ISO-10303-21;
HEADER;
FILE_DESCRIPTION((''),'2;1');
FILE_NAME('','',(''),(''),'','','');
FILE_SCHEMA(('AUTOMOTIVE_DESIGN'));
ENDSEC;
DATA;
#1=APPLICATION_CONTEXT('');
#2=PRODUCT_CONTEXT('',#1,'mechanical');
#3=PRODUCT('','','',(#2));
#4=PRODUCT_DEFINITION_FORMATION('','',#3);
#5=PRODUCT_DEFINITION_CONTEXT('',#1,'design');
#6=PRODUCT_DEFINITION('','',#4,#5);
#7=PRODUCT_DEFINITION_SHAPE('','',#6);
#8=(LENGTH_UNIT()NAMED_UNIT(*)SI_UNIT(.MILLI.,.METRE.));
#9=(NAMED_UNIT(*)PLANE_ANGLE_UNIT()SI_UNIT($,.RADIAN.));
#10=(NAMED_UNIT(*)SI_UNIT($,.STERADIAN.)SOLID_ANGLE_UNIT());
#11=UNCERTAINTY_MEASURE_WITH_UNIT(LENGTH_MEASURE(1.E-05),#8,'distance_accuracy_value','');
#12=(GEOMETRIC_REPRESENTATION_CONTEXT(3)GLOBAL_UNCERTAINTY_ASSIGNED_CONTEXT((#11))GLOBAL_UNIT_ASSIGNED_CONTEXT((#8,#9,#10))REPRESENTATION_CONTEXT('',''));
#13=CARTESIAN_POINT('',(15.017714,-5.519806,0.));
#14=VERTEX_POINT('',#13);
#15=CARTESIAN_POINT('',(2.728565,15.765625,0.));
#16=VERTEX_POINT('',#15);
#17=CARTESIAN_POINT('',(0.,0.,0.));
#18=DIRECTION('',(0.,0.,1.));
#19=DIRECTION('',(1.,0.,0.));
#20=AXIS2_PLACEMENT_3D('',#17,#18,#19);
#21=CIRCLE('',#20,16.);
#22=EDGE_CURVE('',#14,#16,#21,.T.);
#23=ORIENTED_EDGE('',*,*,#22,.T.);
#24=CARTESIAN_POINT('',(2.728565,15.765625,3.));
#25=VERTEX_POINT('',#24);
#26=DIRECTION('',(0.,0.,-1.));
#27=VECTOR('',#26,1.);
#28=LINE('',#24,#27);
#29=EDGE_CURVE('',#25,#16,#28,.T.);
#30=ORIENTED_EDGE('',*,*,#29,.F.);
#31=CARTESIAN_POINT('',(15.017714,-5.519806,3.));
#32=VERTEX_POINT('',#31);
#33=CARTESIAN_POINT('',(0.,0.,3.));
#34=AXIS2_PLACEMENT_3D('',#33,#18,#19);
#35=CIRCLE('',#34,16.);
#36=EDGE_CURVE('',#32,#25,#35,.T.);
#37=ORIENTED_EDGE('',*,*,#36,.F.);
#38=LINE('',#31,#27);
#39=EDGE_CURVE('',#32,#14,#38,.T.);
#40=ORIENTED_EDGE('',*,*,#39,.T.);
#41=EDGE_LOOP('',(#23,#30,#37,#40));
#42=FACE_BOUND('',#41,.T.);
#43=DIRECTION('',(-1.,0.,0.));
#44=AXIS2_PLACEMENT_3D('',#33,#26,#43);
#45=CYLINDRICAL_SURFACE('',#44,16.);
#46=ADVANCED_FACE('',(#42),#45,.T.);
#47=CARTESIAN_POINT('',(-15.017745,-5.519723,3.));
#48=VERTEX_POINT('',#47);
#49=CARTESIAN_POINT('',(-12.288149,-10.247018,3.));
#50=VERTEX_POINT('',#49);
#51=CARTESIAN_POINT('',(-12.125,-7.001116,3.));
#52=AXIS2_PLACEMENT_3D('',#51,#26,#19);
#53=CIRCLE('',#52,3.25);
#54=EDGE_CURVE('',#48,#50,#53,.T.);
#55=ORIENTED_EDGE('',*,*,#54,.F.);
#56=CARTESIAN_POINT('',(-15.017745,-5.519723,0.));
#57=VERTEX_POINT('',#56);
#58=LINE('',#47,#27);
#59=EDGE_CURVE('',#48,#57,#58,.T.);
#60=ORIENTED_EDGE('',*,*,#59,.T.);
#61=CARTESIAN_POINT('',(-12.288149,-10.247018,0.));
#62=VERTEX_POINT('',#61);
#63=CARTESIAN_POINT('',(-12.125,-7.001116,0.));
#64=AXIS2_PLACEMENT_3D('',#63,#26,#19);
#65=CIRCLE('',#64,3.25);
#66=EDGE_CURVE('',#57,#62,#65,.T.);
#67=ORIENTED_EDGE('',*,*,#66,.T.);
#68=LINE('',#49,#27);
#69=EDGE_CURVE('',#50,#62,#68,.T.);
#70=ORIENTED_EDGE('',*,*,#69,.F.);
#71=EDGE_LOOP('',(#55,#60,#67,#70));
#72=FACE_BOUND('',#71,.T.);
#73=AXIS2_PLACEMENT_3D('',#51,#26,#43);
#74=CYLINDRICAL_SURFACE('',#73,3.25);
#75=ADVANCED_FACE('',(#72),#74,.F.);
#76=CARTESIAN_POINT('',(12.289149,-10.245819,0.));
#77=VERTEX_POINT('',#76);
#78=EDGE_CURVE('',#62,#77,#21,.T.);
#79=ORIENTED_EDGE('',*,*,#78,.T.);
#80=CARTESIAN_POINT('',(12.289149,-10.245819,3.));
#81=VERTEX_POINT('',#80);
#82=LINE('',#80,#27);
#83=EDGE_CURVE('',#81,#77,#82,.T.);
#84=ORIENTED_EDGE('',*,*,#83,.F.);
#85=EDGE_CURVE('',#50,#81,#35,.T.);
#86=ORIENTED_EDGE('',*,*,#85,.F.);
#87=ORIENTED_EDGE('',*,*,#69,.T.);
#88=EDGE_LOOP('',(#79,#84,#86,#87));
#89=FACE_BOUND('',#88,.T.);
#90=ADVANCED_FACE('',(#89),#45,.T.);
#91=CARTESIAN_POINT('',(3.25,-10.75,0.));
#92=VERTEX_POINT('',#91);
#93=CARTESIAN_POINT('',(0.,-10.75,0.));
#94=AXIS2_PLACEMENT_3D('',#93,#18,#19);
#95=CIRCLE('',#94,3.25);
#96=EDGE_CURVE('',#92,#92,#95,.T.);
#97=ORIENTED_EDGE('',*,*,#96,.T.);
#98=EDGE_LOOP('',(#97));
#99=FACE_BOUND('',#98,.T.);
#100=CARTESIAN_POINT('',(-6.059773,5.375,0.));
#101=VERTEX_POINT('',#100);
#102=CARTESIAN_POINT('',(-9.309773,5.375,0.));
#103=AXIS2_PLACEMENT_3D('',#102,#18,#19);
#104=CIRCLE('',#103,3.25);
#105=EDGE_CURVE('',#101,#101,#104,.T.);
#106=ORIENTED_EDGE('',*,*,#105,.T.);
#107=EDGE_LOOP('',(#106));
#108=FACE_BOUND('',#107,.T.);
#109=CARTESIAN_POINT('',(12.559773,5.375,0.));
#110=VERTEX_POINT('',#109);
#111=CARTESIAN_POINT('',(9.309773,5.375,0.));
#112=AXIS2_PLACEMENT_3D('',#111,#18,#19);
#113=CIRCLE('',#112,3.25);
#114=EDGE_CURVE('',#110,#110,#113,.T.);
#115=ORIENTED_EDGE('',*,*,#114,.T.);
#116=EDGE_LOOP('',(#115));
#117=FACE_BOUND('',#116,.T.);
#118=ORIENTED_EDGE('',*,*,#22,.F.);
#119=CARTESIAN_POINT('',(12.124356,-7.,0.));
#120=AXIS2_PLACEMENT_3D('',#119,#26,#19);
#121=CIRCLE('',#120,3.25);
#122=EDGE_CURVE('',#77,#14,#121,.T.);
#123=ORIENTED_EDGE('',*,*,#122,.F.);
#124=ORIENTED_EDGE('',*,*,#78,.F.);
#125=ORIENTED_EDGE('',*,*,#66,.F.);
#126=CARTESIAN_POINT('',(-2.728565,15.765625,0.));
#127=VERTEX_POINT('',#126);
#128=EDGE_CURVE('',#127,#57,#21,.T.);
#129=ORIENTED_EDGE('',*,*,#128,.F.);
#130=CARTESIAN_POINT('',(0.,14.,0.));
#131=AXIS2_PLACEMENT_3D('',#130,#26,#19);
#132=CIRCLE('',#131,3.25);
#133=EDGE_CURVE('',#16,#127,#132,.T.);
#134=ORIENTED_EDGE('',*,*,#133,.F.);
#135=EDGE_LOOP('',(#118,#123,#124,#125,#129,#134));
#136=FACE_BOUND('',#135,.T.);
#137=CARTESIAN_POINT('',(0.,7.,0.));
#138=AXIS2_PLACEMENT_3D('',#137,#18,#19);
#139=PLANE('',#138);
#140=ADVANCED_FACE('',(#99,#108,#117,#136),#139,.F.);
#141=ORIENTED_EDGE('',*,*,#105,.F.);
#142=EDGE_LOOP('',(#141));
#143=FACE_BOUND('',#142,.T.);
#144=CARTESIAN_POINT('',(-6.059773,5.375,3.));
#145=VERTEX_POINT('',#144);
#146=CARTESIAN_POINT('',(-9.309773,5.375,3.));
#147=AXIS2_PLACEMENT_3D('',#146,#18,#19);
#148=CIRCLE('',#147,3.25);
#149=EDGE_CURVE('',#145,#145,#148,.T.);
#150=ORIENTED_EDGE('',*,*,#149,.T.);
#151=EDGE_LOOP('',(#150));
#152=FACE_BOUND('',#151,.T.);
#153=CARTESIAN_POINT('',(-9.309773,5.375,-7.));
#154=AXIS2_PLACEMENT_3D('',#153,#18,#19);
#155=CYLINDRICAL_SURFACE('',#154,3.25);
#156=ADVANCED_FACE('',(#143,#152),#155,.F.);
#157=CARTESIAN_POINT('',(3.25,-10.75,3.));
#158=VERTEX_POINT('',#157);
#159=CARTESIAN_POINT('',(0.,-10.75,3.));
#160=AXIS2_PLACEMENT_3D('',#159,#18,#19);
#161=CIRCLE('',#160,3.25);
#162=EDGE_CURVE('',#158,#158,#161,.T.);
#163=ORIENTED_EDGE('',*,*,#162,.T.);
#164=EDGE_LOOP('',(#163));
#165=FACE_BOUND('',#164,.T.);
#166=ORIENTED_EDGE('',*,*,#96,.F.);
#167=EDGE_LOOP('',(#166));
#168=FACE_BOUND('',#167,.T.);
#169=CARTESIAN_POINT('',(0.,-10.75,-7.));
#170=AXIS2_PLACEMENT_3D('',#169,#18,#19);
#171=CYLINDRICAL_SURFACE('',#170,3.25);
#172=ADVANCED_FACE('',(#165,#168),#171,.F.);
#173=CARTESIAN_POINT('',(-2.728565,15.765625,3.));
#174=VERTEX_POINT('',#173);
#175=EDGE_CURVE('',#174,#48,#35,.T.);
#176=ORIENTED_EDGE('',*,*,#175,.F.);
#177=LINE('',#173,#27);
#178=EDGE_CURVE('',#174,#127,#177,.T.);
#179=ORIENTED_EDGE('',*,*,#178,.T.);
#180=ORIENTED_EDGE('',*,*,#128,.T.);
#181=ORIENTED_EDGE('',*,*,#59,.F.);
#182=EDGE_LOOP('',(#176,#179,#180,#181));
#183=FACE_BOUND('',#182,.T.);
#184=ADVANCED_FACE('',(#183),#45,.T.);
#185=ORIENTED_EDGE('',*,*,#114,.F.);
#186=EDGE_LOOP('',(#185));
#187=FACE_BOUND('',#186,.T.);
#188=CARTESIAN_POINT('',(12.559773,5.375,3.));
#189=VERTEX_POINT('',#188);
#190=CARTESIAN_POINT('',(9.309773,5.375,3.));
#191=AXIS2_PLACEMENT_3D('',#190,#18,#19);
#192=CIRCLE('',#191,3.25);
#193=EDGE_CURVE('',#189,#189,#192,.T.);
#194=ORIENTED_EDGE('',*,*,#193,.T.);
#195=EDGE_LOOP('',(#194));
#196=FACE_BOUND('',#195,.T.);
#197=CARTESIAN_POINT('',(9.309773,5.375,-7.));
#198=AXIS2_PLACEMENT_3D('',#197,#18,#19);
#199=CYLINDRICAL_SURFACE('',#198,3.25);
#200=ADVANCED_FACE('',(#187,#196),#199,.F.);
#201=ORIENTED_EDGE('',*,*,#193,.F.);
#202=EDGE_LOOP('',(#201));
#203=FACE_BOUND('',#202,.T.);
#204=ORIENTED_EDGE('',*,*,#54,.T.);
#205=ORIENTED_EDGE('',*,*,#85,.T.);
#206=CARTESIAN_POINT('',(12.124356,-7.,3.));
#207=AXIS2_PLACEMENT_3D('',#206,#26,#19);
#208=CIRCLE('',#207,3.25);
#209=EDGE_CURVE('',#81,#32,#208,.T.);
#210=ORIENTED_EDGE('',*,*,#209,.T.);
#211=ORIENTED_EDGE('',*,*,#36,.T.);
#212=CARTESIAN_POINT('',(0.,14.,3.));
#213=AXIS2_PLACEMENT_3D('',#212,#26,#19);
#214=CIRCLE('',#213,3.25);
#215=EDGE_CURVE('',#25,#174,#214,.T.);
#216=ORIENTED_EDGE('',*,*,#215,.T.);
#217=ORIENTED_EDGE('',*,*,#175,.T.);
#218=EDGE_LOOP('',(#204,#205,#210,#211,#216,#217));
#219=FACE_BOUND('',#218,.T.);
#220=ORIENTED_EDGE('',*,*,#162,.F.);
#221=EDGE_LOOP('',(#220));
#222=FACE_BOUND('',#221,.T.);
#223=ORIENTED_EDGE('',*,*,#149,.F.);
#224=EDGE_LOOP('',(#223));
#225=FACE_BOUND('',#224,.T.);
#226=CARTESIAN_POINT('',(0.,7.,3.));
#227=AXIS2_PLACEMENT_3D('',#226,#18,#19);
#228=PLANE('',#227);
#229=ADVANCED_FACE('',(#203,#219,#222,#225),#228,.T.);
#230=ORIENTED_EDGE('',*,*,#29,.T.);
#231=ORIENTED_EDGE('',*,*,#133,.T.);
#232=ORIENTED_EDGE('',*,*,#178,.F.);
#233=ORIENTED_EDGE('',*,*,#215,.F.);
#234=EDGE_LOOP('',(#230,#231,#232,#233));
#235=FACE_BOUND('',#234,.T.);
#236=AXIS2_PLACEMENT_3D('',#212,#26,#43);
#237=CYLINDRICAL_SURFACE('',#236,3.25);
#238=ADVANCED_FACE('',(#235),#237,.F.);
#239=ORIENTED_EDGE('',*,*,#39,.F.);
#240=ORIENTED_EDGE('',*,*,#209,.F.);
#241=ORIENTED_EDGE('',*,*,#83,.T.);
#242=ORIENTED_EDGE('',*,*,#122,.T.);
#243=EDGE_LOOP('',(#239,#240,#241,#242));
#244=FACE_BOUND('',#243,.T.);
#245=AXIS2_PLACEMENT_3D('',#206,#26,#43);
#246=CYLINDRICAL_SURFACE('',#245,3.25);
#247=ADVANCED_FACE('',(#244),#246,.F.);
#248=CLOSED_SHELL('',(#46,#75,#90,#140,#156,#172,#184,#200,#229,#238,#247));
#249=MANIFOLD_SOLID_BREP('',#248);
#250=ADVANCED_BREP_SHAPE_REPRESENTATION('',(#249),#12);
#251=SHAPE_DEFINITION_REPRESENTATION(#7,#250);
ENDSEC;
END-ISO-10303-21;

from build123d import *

# Parameters (mm, degrees)
BOSS_EXTRU_2_DEPTH      = 3
ESQUISSE2_R             = 3.25
ENL_V_MAT_EXTRU_1_DEPTH = 10


with BuildPart() as part:
    # Esquisse1 → Boss.-Extru.2 (new body)
    with BuildSketch(Plane.XY):
        with BuildLine():
            ThreePointArc((-12.288149304, -10.247018429), (0.000780623, -15.999999981), (12.289149128, -10.245819328))
            ThreePointArc((12.289149128, -10.245819328), (9.309773091, -5.375), (15.017714385, -5.519805672))
            ThreePointArc((15.017714385, -5.519805672), (13.856406461, 8), (2.728565257, 15.765625))
            ThreePointArc((2.728565257, 15.765625), (0, 10.75), (-2.728565257, 15.765625))
            ThreePointArc((-2.728565257, 15.765625), (-13.856384318, 8.000038352), (-15.01774494, -5.519722539))
            ThreePointArc((-15.01774494, -5.519722539), (-9.310492225, -5.375986513), (-12.288149304, -10.247018429))
        make_face()
    extrude(amount=BOSS_EXTRU_2_DEPTH)

    # Esquisse2 → Enlèv. mat.-Extru.1 (cut)
    with BuildSketch(Plane.XY.offset(3)):
        with Locations((-9.309773091, 5.375)):
            Circle(ESQUISSE2_R)
        with Locations((9.309773091, 5.375)):
            Circle(ESQUISSE2_R)
        with Locations((0, -10.75)):
            Circle(ESQUISSE2_R)
    extrude(amount=-ENL_V_MAT_EXTRU_1_DEPTH, mode=Mode.SUBTRACT)


solid = part.part
